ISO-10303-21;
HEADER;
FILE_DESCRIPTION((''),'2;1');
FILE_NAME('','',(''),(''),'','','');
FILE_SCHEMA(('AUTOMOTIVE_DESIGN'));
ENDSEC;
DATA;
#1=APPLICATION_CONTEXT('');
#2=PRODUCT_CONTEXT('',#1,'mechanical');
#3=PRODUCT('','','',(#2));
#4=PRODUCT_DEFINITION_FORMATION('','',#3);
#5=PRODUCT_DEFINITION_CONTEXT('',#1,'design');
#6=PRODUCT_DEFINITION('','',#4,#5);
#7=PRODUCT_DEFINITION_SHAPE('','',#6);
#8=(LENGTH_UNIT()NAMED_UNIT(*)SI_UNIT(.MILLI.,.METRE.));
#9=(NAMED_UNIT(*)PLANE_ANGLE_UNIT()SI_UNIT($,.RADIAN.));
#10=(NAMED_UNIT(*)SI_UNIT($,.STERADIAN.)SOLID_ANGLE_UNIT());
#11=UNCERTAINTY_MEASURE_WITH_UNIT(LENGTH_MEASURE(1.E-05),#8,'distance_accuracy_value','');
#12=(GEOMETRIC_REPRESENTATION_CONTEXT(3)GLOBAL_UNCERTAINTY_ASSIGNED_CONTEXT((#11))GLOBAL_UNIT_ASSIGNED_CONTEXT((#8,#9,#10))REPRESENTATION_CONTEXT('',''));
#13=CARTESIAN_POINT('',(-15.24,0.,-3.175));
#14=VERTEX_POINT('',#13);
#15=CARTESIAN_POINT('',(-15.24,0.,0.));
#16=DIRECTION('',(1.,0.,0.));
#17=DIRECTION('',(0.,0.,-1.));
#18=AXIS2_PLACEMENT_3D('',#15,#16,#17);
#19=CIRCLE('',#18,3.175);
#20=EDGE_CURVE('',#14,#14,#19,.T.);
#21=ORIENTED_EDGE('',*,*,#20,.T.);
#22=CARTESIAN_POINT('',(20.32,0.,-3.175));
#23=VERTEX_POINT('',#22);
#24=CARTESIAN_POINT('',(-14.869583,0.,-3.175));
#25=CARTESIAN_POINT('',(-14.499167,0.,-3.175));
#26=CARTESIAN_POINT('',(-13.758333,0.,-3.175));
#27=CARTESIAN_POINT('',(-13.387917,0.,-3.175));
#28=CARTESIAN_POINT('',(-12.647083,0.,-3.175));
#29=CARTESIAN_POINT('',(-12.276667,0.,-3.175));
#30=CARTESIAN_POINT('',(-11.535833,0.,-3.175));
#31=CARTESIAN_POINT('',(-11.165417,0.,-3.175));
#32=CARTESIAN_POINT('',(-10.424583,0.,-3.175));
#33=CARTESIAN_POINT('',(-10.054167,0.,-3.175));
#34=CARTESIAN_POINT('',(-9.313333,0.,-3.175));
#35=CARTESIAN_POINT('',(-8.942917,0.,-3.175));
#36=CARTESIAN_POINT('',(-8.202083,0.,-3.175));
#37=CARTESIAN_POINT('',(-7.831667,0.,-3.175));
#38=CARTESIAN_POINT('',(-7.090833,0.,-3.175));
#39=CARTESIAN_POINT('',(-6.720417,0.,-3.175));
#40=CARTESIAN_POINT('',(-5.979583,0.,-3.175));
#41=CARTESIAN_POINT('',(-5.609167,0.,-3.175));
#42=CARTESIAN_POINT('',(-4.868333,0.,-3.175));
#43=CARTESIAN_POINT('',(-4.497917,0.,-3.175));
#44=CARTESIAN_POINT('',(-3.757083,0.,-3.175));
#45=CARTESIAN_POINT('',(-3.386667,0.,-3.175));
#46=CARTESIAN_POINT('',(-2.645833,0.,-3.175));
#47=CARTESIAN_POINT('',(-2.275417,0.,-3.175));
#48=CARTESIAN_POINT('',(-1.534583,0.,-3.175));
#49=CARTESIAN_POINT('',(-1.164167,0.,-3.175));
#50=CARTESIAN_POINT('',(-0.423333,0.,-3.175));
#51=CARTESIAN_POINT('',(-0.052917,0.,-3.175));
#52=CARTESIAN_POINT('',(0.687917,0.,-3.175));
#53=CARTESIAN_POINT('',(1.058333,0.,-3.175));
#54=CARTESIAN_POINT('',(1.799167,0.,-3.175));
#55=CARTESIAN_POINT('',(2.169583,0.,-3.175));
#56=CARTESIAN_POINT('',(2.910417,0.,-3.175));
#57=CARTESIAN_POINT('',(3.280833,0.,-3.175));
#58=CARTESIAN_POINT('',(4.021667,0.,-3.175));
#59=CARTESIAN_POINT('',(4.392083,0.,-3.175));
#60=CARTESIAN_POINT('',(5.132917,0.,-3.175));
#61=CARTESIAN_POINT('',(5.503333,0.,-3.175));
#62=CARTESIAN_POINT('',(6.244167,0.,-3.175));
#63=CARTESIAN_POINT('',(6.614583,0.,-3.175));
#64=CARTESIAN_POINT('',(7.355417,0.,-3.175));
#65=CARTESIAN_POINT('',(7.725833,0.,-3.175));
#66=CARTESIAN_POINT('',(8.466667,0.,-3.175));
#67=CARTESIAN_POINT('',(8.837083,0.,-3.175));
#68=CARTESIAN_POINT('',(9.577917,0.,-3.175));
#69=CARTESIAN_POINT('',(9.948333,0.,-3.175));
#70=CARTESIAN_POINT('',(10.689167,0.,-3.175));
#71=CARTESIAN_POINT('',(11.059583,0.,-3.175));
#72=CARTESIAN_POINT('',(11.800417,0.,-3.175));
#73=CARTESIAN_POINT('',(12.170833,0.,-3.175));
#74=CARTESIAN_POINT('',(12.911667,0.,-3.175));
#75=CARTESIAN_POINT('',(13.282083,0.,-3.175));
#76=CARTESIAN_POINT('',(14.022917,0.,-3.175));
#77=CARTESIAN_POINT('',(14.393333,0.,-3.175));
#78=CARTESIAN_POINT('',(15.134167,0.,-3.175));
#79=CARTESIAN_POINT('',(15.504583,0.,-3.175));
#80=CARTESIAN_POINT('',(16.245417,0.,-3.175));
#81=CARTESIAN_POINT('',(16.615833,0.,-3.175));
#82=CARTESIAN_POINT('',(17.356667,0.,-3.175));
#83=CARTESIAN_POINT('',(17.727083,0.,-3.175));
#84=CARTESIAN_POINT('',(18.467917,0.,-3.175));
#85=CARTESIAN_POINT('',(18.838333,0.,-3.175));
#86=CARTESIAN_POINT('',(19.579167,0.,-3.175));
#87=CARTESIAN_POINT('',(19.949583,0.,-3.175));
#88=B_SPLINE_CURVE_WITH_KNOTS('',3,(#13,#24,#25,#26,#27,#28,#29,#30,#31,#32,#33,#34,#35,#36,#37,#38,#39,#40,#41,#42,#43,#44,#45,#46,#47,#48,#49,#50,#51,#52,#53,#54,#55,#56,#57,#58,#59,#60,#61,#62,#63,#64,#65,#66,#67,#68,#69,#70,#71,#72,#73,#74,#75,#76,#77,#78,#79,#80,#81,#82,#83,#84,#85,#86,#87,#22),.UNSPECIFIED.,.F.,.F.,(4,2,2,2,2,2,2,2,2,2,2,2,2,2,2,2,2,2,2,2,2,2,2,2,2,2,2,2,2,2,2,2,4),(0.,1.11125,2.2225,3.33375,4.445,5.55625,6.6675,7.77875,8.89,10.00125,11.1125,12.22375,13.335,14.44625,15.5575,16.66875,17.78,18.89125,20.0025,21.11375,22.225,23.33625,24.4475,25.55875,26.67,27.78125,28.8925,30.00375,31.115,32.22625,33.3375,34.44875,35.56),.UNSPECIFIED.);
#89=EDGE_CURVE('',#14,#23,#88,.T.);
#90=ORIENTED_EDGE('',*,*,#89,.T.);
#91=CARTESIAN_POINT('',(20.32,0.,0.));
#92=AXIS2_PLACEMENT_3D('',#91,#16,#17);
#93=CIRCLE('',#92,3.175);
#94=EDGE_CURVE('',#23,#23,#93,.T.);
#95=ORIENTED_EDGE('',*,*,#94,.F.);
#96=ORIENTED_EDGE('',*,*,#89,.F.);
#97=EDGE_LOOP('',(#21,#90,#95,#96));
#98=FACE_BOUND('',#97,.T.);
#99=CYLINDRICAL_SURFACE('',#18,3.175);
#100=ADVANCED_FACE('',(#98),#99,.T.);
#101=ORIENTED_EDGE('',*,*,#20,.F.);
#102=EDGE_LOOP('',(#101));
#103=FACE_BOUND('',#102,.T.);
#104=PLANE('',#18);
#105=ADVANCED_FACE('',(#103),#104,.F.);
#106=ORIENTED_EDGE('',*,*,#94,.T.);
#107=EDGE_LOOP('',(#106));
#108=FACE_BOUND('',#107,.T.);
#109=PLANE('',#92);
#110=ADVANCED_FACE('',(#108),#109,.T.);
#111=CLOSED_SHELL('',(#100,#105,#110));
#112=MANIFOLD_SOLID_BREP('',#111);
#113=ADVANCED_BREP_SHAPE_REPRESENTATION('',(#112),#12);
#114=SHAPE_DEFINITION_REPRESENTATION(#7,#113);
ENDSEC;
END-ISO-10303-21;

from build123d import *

# Parameters (mm, degrees)
BOSS_EXTRUDE1_DEPTH      = 20.32
BOSS_EXTRUDE1_DEPTH_BACK = 15.24
SKETCH1_R                = 3.175


with BuildPart() as part:
    # Sketch1 → Boss-Extrude1 (new, two sides: drawn at the far end of the back side and taken through both)
    with BuildSketch(Plane(origin=(0, 0, 0), x_dir=(0, 0, -1), z_dir=(1, 0, 0)).offset(-BOSS_EXTRUDE1_DEPTH_BACK)):
        Circle(SKETCH1_R)
    extrude(amount=BOSS_EXTRUDE1_DEPTH + BOSS_EXTRUDE1_DEPTH_BACK)


solid = part.part
